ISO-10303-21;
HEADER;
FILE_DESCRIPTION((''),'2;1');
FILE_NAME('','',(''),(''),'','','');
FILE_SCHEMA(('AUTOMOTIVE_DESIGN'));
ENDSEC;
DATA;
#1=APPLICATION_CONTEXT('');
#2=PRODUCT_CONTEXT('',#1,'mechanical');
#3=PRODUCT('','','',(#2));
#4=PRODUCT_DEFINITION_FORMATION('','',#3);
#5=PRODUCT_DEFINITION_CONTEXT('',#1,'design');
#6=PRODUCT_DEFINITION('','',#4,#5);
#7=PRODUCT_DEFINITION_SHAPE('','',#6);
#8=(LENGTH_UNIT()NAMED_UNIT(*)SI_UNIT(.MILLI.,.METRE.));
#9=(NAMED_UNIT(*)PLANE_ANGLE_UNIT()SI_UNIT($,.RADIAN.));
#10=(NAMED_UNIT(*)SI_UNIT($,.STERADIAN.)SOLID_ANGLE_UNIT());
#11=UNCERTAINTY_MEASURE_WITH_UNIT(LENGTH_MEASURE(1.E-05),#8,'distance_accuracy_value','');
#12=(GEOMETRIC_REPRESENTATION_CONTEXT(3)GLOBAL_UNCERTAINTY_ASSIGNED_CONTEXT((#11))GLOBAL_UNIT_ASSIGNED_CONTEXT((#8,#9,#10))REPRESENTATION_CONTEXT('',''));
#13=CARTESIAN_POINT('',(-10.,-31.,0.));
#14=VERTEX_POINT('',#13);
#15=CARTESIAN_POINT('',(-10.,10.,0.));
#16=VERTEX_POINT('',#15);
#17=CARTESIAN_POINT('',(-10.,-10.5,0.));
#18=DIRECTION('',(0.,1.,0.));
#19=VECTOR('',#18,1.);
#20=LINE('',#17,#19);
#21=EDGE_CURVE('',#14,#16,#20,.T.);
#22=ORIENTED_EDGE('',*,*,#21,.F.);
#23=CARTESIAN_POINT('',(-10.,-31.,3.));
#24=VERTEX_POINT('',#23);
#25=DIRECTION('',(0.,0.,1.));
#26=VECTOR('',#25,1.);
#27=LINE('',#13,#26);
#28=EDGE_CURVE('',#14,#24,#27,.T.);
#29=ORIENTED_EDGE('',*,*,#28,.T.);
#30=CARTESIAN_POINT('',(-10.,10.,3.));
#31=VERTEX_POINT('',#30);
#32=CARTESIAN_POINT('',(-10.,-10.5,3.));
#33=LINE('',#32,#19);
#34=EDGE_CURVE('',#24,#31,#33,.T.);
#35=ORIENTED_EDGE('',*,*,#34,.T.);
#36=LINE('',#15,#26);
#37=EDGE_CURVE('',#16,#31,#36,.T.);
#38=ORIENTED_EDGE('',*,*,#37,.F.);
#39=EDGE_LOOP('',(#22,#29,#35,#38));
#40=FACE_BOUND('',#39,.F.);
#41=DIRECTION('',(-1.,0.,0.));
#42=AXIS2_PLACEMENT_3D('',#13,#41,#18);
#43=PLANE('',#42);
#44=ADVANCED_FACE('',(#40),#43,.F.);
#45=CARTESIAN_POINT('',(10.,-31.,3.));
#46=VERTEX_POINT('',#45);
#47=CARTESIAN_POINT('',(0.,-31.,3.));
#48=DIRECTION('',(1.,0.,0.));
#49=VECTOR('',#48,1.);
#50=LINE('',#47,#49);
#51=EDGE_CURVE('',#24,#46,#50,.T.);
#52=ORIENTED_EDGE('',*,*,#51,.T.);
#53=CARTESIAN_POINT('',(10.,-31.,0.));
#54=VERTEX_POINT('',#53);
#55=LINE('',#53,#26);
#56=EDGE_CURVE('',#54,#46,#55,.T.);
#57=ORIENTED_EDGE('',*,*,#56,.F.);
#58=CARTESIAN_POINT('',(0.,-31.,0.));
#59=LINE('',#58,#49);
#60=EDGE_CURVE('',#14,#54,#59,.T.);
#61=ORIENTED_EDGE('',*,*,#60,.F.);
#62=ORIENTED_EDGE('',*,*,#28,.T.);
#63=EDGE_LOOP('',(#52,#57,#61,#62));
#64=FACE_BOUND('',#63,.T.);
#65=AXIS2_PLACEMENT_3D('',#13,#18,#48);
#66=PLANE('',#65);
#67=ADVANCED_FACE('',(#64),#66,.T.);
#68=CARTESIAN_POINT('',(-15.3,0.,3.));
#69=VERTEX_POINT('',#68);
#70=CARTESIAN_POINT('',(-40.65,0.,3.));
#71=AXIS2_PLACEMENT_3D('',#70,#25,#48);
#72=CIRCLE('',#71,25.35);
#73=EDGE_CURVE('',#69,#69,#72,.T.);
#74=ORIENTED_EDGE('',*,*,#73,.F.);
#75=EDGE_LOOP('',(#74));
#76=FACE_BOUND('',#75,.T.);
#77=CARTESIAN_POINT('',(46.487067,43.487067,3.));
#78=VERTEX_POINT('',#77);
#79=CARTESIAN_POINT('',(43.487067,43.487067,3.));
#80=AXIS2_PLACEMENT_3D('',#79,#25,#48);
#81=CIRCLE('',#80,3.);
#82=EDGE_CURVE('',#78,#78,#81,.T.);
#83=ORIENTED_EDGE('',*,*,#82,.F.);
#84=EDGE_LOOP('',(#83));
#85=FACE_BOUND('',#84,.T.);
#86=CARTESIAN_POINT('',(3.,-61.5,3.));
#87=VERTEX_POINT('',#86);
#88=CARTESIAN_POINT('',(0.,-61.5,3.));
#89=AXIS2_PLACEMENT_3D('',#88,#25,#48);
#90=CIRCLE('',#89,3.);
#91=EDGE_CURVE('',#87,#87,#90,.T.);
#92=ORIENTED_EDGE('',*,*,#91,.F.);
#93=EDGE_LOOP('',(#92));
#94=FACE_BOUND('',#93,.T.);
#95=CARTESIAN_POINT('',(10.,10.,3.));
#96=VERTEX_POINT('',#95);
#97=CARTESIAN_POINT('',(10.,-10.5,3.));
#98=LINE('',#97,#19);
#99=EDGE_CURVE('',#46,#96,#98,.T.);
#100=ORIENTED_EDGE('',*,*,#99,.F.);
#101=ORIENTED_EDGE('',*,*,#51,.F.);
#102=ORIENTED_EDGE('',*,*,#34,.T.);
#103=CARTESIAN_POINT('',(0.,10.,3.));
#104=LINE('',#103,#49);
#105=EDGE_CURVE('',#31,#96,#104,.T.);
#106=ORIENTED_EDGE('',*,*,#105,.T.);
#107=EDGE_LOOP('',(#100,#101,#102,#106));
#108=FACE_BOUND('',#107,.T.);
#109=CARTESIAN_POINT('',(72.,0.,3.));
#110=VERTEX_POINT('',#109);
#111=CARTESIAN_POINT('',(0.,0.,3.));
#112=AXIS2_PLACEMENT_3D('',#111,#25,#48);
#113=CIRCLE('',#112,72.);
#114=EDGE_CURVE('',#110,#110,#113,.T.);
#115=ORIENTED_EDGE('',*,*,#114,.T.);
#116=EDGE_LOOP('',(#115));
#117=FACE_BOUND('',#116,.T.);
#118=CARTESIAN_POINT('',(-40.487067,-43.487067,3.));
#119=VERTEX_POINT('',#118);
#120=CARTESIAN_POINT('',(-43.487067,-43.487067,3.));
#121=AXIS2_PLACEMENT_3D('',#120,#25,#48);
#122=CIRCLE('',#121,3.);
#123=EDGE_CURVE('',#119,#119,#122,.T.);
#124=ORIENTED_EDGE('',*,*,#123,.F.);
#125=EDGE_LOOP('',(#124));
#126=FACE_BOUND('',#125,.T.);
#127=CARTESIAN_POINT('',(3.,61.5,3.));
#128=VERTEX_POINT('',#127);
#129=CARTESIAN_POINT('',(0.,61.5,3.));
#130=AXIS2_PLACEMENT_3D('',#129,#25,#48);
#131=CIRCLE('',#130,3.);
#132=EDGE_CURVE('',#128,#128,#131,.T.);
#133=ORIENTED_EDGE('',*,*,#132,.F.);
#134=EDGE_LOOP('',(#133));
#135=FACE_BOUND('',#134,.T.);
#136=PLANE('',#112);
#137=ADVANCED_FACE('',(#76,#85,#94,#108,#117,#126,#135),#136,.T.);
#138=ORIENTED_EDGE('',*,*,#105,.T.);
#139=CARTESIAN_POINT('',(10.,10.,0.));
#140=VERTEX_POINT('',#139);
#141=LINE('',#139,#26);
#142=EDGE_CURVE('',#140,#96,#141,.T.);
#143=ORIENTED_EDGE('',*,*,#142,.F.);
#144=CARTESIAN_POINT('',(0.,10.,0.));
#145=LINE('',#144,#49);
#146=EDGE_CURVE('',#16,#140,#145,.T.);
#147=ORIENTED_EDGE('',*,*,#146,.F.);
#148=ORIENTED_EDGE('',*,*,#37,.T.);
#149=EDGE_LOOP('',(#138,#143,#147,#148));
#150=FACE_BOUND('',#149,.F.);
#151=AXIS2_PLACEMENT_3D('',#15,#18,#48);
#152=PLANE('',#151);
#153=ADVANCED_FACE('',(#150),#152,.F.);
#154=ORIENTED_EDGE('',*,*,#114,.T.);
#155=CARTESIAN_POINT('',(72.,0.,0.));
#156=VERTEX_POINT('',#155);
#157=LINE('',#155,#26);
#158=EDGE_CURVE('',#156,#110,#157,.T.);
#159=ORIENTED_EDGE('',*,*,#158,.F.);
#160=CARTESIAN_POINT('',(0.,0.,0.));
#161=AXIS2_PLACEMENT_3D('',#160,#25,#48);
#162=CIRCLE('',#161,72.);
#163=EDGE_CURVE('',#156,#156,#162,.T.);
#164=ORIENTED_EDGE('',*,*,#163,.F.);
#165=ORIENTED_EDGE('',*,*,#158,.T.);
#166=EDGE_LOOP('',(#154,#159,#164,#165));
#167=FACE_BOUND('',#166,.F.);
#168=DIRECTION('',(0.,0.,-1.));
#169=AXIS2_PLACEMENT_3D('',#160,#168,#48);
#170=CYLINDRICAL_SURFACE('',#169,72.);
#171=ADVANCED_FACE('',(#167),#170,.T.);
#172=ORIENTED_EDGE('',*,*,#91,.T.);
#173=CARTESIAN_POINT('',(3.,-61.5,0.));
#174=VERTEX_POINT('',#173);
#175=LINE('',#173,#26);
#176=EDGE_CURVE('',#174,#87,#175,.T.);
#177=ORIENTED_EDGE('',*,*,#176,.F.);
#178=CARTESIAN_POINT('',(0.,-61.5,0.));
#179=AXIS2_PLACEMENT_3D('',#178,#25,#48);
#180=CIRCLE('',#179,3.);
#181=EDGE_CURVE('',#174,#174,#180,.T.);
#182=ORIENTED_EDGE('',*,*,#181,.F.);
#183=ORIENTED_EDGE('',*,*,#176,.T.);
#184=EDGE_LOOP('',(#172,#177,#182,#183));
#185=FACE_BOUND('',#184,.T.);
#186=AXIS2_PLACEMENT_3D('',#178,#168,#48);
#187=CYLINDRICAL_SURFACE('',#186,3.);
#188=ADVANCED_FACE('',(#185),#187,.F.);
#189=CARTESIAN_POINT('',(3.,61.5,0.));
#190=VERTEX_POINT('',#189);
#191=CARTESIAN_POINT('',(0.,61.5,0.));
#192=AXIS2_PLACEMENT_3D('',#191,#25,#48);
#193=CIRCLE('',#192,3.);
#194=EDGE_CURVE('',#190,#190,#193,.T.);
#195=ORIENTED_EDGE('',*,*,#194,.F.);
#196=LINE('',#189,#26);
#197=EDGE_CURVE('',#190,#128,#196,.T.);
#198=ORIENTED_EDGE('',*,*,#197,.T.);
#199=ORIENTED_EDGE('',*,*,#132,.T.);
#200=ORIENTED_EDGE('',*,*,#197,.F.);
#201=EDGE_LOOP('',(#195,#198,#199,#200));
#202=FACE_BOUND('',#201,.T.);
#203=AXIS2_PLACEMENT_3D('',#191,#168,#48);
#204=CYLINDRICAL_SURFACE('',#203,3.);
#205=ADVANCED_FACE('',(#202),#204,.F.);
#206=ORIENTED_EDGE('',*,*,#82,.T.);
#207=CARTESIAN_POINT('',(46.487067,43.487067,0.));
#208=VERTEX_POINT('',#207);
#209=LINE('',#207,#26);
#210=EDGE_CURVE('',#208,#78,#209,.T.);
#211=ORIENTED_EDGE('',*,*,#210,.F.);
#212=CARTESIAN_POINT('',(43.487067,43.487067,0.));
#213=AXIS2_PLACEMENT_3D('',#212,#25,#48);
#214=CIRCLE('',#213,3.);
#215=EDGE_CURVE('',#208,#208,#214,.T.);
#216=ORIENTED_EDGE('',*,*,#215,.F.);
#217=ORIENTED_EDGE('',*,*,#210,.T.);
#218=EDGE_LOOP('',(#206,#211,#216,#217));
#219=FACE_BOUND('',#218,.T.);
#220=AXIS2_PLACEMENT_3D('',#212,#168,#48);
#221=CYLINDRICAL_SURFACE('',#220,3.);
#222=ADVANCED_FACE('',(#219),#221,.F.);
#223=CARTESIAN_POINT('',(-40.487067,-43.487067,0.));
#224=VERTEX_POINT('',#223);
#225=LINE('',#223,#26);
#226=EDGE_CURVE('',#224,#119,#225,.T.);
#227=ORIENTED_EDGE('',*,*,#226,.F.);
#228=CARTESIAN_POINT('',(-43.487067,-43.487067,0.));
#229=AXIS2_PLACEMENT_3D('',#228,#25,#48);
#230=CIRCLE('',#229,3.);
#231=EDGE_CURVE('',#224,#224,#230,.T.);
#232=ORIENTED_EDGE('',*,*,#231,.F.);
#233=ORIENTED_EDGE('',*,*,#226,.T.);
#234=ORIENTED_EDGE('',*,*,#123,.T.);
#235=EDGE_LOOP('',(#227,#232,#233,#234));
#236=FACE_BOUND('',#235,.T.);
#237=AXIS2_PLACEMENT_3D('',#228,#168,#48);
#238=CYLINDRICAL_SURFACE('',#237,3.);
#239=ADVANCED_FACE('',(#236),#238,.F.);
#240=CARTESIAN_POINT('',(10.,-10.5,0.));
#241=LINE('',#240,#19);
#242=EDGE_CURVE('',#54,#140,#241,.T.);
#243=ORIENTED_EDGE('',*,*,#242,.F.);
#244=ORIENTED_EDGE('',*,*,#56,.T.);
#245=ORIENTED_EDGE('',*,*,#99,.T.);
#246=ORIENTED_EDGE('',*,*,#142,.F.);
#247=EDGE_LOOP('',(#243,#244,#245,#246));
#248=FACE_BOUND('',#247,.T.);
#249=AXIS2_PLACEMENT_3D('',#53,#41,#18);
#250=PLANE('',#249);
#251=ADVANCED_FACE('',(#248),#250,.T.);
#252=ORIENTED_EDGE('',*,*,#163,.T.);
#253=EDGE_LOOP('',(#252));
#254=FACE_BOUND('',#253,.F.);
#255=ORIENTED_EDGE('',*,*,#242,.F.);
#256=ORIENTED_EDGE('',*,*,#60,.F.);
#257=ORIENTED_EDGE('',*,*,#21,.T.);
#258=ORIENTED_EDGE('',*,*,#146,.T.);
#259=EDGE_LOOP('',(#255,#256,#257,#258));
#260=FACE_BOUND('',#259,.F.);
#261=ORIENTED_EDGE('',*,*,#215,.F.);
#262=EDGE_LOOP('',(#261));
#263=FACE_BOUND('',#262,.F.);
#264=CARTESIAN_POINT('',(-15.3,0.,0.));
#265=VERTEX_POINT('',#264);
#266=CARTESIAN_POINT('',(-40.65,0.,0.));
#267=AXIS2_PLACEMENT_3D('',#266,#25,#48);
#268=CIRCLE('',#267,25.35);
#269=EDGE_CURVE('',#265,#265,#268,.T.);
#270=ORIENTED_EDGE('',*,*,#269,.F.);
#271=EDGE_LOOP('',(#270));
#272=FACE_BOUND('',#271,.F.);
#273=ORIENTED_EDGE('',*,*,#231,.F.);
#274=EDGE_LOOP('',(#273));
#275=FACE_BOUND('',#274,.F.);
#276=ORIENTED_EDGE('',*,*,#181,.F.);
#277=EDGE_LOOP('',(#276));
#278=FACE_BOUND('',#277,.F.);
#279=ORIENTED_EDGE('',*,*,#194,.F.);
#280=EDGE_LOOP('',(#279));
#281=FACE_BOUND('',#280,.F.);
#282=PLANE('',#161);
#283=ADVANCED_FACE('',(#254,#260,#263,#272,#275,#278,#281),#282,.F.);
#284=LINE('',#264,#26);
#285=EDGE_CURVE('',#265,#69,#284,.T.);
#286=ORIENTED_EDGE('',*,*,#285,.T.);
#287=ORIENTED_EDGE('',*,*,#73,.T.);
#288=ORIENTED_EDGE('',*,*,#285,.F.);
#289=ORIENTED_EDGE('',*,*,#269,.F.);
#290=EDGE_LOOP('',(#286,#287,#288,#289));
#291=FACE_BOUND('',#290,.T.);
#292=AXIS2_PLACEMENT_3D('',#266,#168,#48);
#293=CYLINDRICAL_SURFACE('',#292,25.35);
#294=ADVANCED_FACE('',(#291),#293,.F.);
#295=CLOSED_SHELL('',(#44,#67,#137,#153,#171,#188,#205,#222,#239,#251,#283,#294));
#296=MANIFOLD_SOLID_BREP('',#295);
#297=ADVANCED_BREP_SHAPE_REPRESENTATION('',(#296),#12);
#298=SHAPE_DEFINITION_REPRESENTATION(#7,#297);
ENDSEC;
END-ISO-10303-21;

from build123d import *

# Parameters (mm, degrees)
F0_R     = 72
F0_R_2   = 3
F0_W     = 20
F0_H     = 41
F0_R_3   = 25.35
F1_DEPTH = 3


with BuildPart() as f1:
    # F0 (on Top) → F1 (new body)
    with BuildSketch(Plane.XY):
        Circle(F0_R)
        with Locations((-43.487067, -43.487067)):
            Circle(F0_R_2, mode=Mode.SUBTRACT)
        with Locations((0, -61.5)):
            Circle(F0_R_2, mode=Mode.SUBTRACT)
        with Locations((0, -10.5)):
            Rectangle(F0_W, F0_H, mode=Mode.SUBTRACT)
        with Locations((-40.65, 0)):
            Circle(F0_R_3, mode=Mode.SUBTRACT)
        with Locations((0, 61.5)):
            Circle(F0_R_2, mode=Mode.SUBTRACT)
        with Locations((43.487067, 43.487067)):
            Circle(F0_R_2, mode=Mode.SUBTRACT)
    extrude(amount=F1_DEPTH)


solid = f1.part
